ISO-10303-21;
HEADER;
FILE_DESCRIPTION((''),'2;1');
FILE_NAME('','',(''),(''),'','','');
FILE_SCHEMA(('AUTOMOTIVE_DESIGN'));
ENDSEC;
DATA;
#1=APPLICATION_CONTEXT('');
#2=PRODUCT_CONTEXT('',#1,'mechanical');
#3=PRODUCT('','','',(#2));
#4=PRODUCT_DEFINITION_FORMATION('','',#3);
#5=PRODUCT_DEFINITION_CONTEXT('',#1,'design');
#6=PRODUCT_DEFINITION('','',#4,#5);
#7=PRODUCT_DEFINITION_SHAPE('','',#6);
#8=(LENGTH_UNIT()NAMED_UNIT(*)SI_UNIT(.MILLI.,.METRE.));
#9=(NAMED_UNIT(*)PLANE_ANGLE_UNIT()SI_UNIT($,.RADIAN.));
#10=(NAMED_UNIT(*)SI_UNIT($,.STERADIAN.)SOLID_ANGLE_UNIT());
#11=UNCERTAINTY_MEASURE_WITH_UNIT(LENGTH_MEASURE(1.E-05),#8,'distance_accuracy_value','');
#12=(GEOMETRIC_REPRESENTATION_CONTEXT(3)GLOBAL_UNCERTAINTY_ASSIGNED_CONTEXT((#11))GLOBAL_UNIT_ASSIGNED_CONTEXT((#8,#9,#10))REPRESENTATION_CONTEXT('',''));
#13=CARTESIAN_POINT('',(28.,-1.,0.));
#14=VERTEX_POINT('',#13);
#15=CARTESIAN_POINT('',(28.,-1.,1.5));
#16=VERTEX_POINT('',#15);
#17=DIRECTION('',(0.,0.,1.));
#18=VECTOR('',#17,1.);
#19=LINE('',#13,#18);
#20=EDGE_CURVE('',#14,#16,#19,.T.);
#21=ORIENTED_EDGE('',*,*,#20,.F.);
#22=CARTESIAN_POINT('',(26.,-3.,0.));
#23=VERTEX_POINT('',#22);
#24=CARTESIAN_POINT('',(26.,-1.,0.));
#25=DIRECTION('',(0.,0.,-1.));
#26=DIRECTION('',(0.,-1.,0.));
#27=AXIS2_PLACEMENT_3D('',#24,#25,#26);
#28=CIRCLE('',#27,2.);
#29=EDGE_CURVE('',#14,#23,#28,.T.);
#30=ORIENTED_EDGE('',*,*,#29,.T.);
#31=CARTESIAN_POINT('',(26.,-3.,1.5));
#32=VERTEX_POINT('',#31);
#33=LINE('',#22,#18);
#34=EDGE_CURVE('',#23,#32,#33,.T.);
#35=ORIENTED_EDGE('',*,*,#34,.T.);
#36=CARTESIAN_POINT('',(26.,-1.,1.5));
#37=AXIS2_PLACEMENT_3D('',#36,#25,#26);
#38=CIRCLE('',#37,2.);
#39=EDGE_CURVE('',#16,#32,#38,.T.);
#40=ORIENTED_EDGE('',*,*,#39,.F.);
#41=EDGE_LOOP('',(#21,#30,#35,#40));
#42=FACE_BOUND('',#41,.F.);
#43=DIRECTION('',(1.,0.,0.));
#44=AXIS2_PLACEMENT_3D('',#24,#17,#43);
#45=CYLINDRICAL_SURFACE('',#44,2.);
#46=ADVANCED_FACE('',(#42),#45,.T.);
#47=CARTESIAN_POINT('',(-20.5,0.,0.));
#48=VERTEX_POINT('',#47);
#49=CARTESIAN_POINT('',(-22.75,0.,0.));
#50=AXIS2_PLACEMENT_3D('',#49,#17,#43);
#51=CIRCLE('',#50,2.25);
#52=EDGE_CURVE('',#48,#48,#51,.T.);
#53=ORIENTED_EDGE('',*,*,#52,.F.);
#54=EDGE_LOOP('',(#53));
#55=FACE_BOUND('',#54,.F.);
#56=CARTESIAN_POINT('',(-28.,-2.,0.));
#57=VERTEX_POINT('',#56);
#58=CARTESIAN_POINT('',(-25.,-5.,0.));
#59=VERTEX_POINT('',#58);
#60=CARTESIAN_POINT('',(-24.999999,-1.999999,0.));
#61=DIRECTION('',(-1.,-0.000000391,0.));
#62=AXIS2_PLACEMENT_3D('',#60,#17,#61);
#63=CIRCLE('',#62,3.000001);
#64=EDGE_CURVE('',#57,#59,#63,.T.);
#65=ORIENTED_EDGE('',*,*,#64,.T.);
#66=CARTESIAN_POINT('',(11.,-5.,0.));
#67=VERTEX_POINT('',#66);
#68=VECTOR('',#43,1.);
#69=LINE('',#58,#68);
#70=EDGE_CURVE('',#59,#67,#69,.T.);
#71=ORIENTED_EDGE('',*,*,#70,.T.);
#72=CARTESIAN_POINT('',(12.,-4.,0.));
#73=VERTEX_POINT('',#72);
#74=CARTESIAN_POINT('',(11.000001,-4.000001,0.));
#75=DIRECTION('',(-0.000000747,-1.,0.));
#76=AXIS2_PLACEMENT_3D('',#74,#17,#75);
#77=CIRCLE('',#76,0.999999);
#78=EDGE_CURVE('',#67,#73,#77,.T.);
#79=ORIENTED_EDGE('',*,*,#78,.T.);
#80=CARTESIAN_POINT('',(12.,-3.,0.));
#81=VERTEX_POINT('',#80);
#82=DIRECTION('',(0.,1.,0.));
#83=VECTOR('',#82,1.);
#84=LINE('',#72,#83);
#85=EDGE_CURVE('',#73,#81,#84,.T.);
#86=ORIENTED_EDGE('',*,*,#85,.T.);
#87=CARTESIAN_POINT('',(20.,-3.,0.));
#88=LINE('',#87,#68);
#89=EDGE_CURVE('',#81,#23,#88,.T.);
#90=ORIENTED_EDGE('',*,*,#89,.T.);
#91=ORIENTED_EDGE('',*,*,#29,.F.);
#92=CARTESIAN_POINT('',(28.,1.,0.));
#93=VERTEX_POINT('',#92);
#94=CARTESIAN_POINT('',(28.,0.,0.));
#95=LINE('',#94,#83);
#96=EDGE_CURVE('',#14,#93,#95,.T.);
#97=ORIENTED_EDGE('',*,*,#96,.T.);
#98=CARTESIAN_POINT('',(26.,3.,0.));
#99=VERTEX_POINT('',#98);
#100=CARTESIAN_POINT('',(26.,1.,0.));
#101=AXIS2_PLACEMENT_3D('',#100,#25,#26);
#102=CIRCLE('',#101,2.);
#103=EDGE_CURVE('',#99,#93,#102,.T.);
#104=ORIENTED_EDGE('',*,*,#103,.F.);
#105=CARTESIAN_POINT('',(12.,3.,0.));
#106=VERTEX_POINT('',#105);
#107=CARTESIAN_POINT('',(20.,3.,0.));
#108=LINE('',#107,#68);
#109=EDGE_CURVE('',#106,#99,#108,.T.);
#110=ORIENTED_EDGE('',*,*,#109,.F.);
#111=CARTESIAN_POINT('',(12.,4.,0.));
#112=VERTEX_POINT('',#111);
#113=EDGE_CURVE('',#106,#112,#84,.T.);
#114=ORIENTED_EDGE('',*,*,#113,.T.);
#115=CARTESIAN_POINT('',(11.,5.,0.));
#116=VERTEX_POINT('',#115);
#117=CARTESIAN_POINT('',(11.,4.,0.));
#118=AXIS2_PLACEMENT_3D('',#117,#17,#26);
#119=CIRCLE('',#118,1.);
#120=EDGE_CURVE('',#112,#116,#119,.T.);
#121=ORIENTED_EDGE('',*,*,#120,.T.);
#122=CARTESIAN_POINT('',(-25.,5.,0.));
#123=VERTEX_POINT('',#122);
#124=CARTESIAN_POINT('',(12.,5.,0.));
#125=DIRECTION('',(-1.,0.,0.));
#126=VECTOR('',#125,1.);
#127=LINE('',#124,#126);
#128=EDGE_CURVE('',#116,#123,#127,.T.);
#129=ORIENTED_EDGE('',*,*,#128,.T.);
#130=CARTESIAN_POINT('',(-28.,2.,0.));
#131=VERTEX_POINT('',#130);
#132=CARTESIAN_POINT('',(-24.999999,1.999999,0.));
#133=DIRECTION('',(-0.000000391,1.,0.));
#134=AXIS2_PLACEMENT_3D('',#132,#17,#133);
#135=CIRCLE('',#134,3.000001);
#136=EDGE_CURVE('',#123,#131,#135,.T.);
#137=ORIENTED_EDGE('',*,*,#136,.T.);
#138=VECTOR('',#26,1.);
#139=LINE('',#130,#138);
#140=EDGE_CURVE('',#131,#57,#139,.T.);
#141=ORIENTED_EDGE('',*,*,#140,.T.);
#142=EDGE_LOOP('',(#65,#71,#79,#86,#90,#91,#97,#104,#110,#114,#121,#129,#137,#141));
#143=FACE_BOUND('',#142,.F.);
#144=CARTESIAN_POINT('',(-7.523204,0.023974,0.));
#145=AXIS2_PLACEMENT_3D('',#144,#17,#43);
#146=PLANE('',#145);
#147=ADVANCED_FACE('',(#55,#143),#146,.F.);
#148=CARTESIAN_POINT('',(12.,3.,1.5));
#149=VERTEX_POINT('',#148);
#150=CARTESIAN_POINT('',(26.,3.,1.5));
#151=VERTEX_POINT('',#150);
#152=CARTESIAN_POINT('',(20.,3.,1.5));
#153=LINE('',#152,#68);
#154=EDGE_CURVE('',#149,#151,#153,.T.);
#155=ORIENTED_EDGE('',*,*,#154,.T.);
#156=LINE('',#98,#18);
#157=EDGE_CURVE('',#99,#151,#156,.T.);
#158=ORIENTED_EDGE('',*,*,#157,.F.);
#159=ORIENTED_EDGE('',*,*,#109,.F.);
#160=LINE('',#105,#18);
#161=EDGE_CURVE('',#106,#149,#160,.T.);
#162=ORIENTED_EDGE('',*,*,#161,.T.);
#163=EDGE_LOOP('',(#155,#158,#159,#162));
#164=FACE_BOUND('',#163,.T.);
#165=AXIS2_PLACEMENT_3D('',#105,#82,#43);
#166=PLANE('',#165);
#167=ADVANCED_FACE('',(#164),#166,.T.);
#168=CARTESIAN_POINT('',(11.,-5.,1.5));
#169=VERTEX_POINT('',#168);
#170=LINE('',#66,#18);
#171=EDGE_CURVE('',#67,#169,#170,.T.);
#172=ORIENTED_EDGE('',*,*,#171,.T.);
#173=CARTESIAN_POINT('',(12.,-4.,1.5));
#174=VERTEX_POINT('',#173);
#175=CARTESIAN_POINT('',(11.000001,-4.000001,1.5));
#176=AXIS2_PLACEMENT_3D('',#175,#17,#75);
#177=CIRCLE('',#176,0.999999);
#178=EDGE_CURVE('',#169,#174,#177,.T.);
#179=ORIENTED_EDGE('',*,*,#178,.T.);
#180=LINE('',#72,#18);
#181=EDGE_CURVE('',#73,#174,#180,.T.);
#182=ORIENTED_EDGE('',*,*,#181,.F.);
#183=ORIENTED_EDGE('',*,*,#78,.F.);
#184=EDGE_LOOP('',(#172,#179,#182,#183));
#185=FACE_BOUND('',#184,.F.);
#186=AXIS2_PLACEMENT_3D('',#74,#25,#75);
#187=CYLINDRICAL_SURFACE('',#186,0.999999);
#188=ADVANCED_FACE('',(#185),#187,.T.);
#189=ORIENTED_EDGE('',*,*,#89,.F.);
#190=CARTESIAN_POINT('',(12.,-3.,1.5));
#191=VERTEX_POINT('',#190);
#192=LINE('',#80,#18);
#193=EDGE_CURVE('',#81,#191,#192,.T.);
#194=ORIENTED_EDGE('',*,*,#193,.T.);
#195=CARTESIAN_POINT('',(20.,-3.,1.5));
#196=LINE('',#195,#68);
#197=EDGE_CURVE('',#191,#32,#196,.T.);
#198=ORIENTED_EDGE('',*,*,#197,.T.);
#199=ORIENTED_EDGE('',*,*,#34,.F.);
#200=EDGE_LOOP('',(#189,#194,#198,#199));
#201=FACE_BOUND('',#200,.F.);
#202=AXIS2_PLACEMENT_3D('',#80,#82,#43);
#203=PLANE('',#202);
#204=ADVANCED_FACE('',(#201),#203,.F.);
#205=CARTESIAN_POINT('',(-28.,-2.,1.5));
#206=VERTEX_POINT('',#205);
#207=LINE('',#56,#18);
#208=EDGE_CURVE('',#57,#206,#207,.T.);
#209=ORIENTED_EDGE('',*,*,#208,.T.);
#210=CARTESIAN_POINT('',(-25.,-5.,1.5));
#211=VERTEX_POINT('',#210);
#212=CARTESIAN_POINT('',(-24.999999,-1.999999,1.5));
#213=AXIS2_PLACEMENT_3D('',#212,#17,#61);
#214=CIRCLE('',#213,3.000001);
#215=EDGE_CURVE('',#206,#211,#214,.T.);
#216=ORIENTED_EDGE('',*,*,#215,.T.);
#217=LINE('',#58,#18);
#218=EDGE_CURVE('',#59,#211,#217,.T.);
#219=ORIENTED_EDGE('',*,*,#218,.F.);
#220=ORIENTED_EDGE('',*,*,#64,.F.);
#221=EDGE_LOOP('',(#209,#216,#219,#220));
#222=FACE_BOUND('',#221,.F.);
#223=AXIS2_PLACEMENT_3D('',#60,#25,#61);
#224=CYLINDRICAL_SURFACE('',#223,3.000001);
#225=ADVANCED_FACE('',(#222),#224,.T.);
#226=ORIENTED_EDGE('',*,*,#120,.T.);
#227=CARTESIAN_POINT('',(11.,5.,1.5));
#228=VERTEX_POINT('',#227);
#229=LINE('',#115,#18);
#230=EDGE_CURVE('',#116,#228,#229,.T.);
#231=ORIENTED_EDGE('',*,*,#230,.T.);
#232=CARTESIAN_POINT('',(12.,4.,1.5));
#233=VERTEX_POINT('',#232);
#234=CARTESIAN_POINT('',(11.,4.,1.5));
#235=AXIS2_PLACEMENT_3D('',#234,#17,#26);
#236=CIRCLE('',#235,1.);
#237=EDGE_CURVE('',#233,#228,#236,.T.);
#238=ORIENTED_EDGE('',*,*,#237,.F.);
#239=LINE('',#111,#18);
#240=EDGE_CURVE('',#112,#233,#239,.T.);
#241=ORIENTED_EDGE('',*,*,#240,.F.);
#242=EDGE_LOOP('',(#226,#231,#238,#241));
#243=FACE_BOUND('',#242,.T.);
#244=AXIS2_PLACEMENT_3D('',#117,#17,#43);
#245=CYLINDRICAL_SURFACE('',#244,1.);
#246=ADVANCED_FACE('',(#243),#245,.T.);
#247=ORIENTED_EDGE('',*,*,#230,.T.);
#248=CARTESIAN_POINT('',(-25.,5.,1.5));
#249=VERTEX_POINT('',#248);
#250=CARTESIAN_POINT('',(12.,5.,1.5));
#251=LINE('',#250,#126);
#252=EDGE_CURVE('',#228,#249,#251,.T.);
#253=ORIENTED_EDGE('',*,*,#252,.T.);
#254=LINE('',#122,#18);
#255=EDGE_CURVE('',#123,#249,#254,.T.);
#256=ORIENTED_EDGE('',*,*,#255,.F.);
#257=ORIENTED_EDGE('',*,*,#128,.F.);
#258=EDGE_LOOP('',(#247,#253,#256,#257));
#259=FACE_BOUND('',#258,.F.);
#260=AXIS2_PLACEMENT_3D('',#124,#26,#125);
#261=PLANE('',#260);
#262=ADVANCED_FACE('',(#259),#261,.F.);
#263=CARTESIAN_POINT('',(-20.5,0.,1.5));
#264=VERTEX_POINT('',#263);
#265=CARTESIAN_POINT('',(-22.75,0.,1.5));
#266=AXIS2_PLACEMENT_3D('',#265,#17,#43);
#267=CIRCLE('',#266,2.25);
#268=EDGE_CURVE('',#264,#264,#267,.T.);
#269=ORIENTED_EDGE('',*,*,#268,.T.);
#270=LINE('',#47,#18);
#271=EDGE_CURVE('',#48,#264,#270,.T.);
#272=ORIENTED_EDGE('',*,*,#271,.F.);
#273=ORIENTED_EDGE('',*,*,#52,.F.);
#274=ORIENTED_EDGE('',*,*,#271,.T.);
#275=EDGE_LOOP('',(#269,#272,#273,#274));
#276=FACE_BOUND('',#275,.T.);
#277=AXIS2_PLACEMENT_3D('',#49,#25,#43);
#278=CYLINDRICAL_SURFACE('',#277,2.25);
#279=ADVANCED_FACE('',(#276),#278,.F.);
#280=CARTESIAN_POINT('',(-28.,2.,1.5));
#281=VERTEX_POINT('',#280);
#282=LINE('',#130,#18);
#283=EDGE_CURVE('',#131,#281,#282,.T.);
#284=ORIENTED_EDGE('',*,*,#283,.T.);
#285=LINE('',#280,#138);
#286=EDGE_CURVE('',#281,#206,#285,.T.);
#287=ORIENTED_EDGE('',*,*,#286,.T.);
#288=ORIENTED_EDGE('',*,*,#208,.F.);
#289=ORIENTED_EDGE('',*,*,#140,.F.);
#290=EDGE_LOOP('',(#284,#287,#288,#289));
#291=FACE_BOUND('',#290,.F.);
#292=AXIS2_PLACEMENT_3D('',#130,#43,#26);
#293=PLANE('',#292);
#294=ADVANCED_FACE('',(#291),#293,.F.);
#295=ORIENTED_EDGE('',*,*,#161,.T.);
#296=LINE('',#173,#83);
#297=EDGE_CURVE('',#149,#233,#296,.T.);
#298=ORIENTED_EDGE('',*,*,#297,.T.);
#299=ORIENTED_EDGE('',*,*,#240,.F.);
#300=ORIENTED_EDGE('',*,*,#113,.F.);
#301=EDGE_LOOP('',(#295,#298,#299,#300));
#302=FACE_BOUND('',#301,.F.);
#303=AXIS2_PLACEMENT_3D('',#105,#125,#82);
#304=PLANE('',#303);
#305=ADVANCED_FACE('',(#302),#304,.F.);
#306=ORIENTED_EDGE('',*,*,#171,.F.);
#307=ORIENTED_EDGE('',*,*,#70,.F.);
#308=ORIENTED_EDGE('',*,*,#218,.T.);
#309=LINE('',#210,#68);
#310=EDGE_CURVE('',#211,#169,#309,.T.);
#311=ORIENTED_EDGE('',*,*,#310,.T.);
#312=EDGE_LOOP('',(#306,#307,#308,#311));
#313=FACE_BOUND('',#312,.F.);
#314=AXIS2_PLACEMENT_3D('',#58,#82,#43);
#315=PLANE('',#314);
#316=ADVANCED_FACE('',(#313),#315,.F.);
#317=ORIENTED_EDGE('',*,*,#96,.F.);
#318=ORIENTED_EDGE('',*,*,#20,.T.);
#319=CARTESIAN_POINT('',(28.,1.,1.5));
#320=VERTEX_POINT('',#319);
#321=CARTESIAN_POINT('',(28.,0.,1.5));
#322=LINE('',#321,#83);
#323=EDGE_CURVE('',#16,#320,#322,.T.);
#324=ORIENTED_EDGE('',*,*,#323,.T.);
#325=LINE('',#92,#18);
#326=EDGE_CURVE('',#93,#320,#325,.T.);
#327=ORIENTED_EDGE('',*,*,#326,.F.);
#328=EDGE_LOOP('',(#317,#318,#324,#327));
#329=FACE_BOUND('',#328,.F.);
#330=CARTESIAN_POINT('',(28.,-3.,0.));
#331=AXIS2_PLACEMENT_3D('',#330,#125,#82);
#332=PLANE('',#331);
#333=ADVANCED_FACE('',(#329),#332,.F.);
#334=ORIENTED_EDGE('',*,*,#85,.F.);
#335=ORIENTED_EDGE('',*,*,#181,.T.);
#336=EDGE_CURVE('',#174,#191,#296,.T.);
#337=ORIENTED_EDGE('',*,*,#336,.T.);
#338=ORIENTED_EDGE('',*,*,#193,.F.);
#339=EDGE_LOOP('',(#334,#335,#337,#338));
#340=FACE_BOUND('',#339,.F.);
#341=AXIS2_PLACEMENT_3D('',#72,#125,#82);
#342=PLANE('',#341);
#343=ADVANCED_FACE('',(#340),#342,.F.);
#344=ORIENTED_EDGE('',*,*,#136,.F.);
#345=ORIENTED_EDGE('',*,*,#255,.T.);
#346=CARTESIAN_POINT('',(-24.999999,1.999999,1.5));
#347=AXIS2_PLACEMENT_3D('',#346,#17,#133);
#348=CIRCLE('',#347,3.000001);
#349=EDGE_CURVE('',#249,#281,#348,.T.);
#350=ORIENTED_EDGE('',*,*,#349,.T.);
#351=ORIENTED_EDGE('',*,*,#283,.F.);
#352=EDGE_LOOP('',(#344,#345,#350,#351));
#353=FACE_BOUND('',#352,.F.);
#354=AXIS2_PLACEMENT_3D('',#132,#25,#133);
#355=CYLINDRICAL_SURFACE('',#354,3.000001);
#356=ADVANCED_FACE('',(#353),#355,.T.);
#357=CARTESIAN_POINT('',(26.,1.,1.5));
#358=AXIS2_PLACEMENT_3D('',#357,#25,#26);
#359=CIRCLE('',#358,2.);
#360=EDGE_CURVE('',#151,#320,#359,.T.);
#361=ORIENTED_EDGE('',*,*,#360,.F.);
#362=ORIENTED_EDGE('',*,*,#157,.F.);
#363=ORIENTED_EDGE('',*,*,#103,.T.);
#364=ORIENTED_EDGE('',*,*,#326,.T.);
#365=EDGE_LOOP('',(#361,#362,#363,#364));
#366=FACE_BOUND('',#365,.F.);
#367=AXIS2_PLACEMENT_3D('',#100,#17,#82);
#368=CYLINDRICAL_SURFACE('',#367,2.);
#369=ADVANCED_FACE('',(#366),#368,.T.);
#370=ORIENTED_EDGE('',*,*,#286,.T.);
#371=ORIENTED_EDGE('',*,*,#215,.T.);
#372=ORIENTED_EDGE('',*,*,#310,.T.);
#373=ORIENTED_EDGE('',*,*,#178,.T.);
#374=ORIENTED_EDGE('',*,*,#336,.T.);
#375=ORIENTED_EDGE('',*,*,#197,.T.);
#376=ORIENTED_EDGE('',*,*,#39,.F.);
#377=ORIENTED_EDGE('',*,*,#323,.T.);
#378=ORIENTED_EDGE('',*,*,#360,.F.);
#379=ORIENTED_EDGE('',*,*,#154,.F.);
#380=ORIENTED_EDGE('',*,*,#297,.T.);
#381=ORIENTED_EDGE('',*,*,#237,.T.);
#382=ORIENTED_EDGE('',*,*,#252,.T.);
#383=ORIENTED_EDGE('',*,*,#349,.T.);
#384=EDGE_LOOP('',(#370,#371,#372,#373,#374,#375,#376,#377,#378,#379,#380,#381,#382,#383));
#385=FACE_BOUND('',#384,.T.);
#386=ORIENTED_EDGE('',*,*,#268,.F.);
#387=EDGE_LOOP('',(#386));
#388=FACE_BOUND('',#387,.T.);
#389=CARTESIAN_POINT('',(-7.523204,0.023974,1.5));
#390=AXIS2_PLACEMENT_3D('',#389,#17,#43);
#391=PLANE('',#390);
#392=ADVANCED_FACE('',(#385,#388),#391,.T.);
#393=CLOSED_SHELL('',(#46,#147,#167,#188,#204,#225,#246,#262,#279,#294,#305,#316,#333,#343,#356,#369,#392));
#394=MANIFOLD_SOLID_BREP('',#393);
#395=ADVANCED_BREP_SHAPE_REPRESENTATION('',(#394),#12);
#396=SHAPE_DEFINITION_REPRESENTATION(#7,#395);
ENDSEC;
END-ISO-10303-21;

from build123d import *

# Parameters (mm, degrees)
F0_R     = 2.25
F0_W     = 16
F0_H     = 6
F1_DEPTH = 1.5
F2_R     = 1
F3_R     = 2


with BuildPart() as f1:
    # F0 (on Top) → F1 (new body)
    with BuildSketch(Plane.XY):
        with BuildLine():
            Line((-25, -5), (11, -5))
            ThreePointArc((11, -5), (11.707107, -4.707107), (12, -4))
            Line((12, -4), (12, -3))
            Line((12, -3), (12, 3))
            Line((12, 3), (12, 5))
            Line((12, 5), (-25, 5))
            ThreePointArc((-25, 5), (-27.12132, 4.12132), (-28, 2))
            Line((-28, 2), (-28, -2))
            ThreePointArc((-28, -2), (-27.12132, -4.12132), (-25, -5))
        make_face()
        with Locations((-22.75, 0)):
            Circle(F0_R, mode=Mode.SUBTRACT)
        with Locations((20, 0)):
            Rectangle(F0_W, F0_H)
    extrude(amount=F1_DEPTH)

    # F2
    f2_edges = [f1.edges().sort_by_distance(p)[0] for p in [
        (12, 5, 0.75),
    ]]
    fillet(f2_edges, radius=F2_R)

    # F3
    f3_edges = [f1.edges().sort_by_distance(p)[0] for p in [
        (28, 3, 0.75),
        (28, -3, 0.75),
    ]]
    fillet(f3_edges, radius=F3_R)


solid = f1.part
